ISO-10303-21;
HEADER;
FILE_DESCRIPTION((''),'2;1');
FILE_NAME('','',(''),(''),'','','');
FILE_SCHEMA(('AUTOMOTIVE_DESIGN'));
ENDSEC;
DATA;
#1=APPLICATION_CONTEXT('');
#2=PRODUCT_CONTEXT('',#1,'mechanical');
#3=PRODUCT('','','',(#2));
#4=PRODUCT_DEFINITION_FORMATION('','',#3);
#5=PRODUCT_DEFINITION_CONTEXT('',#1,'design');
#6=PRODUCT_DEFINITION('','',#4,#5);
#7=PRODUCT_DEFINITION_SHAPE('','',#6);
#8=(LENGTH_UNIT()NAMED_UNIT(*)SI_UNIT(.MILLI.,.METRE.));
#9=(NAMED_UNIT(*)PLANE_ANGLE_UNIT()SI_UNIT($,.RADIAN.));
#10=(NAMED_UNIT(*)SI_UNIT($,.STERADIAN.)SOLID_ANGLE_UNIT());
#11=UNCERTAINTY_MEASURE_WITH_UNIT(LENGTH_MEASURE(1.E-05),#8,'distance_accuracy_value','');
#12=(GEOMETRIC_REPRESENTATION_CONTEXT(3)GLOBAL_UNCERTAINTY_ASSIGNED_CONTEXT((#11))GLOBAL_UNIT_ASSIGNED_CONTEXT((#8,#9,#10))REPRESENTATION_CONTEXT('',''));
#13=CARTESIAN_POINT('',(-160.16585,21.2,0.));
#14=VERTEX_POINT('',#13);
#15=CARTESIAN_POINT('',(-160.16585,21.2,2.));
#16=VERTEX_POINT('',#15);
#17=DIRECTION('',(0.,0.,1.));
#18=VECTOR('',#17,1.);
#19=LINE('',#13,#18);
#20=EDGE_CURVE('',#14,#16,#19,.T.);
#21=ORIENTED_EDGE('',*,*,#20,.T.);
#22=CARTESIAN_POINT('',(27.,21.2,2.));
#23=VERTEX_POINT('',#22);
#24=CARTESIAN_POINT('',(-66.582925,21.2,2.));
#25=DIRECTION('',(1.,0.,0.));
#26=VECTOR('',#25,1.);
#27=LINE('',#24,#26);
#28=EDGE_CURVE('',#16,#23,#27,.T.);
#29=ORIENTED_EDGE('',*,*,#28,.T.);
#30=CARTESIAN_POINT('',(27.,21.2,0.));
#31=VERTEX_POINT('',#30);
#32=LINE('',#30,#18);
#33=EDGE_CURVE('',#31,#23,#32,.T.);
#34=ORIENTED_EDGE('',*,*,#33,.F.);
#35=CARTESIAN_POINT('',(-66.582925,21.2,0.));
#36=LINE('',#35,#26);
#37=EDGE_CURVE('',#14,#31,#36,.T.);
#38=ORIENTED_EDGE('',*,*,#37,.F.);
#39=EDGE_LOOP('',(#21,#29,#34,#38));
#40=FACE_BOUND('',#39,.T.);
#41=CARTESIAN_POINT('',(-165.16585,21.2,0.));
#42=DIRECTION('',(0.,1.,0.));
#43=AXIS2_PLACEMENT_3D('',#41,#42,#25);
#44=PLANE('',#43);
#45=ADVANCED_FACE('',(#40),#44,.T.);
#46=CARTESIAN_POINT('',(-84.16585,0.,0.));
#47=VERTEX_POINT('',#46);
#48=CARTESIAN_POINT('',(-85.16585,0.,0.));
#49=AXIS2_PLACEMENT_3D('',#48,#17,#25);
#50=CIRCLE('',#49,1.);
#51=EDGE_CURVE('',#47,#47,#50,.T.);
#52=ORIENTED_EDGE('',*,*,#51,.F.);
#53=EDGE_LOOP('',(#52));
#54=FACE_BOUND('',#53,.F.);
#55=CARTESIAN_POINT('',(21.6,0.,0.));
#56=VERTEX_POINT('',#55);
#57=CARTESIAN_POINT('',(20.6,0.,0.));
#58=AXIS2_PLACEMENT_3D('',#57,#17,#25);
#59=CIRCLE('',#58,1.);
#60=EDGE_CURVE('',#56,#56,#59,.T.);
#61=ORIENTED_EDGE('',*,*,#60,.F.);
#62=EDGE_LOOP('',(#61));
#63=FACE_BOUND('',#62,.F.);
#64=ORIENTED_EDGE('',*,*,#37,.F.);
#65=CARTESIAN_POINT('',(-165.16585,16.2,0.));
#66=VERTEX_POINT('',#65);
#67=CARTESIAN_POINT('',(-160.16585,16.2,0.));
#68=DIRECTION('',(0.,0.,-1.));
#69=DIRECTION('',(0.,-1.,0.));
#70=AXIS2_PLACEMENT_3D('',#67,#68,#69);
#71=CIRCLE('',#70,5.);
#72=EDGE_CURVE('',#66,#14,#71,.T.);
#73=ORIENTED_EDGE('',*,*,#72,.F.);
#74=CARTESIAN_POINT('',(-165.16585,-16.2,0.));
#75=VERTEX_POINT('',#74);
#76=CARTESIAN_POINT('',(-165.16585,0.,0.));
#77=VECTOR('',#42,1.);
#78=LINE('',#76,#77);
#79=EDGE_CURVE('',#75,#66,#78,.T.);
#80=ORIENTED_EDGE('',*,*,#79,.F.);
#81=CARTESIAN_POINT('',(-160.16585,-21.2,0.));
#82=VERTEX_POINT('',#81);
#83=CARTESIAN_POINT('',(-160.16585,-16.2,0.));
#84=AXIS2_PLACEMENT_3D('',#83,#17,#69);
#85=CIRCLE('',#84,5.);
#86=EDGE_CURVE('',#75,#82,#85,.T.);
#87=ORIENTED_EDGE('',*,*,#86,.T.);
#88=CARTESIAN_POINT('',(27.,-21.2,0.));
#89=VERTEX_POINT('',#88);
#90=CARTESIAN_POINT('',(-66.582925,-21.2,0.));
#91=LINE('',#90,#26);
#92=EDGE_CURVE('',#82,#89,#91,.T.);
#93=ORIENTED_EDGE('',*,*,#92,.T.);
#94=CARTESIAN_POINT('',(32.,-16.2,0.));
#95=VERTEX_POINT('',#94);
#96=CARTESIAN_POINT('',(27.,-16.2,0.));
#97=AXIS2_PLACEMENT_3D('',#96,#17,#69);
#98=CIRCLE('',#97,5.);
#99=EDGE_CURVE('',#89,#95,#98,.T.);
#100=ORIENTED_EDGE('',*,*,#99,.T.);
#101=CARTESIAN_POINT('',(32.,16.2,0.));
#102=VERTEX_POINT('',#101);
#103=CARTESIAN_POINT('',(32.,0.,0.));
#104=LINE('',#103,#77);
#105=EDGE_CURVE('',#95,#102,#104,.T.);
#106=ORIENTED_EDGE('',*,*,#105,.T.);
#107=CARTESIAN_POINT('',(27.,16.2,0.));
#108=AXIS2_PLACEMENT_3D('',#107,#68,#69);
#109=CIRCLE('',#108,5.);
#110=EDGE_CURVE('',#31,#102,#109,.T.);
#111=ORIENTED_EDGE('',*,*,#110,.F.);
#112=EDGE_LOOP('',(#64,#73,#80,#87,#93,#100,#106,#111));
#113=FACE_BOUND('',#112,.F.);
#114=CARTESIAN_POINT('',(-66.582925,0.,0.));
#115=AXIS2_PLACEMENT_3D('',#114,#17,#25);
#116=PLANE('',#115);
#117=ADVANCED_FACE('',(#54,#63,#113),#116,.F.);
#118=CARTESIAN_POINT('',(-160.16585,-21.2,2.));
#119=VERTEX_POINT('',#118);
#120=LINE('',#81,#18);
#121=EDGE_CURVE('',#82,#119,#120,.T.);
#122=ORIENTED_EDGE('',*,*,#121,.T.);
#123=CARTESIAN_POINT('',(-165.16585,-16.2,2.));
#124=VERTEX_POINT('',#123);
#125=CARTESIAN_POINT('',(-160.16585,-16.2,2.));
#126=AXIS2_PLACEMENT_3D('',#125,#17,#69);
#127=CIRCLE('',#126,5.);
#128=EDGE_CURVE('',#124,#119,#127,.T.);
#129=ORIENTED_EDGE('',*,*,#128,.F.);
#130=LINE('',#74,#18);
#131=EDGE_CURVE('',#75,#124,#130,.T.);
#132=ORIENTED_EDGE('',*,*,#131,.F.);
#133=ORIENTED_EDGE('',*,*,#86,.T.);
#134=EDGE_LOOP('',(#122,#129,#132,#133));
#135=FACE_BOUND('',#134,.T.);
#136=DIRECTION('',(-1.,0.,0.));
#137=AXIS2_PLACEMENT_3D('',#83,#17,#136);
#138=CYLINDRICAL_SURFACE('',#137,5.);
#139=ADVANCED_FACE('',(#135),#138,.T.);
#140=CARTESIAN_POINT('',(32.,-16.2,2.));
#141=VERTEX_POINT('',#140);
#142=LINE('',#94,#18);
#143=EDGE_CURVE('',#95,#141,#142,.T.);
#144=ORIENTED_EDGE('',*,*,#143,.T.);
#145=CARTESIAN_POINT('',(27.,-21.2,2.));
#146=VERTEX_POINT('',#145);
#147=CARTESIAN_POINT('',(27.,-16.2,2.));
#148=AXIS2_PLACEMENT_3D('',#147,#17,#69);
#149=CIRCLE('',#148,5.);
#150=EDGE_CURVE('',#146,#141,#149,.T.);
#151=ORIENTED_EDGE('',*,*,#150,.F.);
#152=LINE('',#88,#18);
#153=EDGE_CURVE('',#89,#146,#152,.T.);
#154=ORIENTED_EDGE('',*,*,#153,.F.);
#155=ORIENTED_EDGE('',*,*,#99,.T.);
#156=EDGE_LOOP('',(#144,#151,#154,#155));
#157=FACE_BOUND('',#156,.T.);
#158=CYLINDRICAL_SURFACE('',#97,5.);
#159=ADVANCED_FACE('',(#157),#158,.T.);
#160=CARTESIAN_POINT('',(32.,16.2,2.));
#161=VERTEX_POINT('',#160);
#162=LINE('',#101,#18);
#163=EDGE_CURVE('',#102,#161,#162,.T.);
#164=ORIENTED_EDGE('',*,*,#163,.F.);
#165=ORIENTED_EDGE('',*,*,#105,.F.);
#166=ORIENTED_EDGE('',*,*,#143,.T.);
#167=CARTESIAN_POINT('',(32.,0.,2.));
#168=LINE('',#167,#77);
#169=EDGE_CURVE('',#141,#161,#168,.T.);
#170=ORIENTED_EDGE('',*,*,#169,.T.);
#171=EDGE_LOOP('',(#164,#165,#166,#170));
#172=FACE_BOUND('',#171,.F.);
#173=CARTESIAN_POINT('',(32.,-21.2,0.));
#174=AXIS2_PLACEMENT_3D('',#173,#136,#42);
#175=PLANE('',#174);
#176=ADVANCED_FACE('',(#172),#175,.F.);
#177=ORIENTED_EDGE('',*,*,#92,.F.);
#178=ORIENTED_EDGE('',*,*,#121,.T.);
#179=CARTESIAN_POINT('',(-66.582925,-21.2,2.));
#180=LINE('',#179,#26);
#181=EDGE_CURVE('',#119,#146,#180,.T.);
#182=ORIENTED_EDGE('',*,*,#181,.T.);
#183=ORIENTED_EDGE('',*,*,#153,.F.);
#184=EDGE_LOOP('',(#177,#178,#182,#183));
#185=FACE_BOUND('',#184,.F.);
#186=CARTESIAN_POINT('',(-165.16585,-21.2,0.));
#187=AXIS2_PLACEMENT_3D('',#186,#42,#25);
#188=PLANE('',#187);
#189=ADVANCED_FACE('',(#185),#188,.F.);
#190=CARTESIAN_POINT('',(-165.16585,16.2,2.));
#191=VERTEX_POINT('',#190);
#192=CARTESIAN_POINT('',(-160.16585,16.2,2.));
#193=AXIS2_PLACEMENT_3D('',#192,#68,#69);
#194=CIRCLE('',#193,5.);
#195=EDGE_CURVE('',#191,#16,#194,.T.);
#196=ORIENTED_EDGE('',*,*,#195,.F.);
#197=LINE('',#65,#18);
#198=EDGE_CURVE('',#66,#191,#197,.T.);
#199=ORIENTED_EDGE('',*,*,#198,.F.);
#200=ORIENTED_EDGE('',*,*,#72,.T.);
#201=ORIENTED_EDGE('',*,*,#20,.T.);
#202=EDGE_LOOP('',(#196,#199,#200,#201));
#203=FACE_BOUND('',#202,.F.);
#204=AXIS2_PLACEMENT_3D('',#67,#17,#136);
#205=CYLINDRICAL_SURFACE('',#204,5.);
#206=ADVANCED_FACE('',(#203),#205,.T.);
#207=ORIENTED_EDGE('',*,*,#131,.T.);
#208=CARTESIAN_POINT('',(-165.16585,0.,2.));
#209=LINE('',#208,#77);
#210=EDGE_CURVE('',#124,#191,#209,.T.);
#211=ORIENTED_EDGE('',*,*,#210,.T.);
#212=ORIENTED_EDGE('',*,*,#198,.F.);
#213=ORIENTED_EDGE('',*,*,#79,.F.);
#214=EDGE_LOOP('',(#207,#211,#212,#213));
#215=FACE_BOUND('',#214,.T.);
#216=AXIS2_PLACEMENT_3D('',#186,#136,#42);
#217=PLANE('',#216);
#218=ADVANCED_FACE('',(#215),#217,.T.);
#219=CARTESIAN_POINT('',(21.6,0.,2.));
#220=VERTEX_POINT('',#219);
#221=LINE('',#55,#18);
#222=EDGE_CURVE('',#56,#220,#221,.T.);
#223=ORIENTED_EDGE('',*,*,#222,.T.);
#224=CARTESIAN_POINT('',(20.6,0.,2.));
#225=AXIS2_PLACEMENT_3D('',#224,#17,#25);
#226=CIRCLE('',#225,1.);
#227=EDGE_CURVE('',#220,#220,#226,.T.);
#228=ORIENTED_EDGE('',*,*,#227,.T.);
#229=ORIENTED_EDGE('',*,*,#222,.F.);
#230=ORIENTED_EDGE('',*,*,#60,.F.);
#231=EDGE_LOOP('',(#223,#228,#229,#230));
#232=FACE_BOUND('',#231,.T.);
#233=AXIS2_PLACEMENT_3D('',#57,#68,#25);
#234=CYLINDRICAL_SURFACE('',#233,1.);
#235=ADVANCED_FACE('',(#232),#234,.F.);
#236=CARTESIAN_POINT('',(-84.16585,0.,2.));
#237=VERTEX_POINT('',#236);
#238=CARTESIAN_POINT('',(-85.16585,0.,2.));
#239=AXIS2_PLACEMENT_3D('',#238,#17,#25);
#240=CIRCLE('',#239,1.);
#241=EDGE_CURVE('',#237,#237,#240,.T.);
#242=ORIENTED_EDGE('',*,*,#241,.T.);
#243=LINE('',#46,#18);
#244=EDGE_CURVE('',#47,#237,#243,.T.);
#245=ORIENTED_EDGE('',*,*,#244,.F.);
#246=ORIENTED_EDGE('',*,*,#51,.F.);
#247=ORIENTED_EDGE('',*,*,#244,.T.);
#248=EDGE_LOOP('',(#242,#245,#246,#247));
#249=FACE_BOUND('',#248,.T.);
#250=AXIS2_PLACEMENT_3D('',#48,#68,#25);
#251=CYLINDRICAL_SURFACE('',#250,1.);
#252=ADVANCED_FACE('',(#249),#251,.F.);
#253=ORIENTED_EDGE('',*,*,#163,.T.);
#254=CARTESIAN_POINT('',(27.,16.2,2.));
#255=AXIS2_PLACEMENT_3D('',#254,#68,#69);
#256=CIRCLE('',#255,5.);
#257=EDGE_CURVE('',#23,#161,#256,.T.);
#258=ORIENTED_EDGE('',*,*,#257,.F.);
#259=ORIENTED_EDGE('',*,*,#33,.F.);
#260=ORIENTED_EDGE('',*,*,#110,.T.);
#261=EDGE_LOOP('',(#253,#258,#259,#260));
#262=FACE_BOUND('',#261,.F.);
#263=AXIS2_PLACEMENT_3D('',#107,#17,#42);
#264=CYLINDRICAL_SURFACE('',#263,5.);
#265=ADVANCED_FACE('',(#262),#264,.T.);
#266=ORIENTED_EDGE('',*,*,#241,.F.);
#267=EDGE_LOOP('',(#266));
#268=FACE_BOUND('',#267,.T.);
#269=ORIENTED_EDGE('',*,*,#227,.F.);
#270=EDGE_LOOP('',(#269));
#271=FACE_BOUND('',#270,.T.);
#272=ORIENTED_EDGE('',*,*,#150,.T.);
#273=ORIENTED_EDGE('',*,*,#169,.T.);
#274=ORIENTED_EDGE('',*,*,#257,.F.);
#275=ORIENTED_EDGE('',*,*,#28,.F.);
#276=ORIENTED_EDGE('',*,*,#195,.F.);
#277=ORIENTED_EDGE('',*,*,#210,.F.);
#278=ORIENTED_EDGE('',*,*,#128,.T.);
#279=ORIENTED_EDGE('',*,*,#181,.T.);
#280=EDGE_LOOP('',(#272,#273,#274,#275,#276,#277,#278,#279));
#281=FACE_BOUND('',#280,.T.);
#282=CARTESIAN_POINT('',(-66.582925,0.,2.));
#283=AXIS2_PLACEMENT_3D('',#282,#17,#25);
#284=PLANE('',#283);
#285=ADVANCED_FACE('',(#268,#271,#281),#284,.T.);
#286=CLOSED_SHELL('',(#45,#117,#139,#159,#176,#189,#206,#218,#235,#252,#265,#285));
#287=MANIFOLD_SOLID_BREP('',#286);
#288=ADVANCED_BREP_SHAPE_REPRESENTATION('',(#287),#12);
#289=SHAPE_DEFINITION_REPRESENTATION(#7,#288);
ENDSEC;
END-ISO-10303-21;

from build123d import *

# Parameters (mm, degrees)
F0_W     = 197.16585
F0_H     = 42.4
F0_R     = 1
F1_DEPTH = 2
F2_R     = 5


with BuildPart() as f1:
    # F0 (on Top) → F1 (new body)
    with BuildSketch(Plane.XY):
        with Locations((-66.582925, 0)):
            Rectangle(F0_W, F0_H)
        with Locations((-85.16585, 0)):
            Circle(F0_R, mode=Mode.SUBTRACT)
        with Locations((20.6, 0)):
            Circle(F0_R, mode=Mode.SUBTRACT)
    extrude(amount=F1_DEPTH)

    # F2
    f2_edges = [f1.edges().sort_by_distance(p)[0] for p in [
        (32, -21.2, 1),
        (32, 21.2, 1),
        (-165.16585, 21.2, 1),
        (-165.16585, -21.2, 1),
    ]]
    fillet(f2_edges, radius=F2_R)


solid = f1.part
